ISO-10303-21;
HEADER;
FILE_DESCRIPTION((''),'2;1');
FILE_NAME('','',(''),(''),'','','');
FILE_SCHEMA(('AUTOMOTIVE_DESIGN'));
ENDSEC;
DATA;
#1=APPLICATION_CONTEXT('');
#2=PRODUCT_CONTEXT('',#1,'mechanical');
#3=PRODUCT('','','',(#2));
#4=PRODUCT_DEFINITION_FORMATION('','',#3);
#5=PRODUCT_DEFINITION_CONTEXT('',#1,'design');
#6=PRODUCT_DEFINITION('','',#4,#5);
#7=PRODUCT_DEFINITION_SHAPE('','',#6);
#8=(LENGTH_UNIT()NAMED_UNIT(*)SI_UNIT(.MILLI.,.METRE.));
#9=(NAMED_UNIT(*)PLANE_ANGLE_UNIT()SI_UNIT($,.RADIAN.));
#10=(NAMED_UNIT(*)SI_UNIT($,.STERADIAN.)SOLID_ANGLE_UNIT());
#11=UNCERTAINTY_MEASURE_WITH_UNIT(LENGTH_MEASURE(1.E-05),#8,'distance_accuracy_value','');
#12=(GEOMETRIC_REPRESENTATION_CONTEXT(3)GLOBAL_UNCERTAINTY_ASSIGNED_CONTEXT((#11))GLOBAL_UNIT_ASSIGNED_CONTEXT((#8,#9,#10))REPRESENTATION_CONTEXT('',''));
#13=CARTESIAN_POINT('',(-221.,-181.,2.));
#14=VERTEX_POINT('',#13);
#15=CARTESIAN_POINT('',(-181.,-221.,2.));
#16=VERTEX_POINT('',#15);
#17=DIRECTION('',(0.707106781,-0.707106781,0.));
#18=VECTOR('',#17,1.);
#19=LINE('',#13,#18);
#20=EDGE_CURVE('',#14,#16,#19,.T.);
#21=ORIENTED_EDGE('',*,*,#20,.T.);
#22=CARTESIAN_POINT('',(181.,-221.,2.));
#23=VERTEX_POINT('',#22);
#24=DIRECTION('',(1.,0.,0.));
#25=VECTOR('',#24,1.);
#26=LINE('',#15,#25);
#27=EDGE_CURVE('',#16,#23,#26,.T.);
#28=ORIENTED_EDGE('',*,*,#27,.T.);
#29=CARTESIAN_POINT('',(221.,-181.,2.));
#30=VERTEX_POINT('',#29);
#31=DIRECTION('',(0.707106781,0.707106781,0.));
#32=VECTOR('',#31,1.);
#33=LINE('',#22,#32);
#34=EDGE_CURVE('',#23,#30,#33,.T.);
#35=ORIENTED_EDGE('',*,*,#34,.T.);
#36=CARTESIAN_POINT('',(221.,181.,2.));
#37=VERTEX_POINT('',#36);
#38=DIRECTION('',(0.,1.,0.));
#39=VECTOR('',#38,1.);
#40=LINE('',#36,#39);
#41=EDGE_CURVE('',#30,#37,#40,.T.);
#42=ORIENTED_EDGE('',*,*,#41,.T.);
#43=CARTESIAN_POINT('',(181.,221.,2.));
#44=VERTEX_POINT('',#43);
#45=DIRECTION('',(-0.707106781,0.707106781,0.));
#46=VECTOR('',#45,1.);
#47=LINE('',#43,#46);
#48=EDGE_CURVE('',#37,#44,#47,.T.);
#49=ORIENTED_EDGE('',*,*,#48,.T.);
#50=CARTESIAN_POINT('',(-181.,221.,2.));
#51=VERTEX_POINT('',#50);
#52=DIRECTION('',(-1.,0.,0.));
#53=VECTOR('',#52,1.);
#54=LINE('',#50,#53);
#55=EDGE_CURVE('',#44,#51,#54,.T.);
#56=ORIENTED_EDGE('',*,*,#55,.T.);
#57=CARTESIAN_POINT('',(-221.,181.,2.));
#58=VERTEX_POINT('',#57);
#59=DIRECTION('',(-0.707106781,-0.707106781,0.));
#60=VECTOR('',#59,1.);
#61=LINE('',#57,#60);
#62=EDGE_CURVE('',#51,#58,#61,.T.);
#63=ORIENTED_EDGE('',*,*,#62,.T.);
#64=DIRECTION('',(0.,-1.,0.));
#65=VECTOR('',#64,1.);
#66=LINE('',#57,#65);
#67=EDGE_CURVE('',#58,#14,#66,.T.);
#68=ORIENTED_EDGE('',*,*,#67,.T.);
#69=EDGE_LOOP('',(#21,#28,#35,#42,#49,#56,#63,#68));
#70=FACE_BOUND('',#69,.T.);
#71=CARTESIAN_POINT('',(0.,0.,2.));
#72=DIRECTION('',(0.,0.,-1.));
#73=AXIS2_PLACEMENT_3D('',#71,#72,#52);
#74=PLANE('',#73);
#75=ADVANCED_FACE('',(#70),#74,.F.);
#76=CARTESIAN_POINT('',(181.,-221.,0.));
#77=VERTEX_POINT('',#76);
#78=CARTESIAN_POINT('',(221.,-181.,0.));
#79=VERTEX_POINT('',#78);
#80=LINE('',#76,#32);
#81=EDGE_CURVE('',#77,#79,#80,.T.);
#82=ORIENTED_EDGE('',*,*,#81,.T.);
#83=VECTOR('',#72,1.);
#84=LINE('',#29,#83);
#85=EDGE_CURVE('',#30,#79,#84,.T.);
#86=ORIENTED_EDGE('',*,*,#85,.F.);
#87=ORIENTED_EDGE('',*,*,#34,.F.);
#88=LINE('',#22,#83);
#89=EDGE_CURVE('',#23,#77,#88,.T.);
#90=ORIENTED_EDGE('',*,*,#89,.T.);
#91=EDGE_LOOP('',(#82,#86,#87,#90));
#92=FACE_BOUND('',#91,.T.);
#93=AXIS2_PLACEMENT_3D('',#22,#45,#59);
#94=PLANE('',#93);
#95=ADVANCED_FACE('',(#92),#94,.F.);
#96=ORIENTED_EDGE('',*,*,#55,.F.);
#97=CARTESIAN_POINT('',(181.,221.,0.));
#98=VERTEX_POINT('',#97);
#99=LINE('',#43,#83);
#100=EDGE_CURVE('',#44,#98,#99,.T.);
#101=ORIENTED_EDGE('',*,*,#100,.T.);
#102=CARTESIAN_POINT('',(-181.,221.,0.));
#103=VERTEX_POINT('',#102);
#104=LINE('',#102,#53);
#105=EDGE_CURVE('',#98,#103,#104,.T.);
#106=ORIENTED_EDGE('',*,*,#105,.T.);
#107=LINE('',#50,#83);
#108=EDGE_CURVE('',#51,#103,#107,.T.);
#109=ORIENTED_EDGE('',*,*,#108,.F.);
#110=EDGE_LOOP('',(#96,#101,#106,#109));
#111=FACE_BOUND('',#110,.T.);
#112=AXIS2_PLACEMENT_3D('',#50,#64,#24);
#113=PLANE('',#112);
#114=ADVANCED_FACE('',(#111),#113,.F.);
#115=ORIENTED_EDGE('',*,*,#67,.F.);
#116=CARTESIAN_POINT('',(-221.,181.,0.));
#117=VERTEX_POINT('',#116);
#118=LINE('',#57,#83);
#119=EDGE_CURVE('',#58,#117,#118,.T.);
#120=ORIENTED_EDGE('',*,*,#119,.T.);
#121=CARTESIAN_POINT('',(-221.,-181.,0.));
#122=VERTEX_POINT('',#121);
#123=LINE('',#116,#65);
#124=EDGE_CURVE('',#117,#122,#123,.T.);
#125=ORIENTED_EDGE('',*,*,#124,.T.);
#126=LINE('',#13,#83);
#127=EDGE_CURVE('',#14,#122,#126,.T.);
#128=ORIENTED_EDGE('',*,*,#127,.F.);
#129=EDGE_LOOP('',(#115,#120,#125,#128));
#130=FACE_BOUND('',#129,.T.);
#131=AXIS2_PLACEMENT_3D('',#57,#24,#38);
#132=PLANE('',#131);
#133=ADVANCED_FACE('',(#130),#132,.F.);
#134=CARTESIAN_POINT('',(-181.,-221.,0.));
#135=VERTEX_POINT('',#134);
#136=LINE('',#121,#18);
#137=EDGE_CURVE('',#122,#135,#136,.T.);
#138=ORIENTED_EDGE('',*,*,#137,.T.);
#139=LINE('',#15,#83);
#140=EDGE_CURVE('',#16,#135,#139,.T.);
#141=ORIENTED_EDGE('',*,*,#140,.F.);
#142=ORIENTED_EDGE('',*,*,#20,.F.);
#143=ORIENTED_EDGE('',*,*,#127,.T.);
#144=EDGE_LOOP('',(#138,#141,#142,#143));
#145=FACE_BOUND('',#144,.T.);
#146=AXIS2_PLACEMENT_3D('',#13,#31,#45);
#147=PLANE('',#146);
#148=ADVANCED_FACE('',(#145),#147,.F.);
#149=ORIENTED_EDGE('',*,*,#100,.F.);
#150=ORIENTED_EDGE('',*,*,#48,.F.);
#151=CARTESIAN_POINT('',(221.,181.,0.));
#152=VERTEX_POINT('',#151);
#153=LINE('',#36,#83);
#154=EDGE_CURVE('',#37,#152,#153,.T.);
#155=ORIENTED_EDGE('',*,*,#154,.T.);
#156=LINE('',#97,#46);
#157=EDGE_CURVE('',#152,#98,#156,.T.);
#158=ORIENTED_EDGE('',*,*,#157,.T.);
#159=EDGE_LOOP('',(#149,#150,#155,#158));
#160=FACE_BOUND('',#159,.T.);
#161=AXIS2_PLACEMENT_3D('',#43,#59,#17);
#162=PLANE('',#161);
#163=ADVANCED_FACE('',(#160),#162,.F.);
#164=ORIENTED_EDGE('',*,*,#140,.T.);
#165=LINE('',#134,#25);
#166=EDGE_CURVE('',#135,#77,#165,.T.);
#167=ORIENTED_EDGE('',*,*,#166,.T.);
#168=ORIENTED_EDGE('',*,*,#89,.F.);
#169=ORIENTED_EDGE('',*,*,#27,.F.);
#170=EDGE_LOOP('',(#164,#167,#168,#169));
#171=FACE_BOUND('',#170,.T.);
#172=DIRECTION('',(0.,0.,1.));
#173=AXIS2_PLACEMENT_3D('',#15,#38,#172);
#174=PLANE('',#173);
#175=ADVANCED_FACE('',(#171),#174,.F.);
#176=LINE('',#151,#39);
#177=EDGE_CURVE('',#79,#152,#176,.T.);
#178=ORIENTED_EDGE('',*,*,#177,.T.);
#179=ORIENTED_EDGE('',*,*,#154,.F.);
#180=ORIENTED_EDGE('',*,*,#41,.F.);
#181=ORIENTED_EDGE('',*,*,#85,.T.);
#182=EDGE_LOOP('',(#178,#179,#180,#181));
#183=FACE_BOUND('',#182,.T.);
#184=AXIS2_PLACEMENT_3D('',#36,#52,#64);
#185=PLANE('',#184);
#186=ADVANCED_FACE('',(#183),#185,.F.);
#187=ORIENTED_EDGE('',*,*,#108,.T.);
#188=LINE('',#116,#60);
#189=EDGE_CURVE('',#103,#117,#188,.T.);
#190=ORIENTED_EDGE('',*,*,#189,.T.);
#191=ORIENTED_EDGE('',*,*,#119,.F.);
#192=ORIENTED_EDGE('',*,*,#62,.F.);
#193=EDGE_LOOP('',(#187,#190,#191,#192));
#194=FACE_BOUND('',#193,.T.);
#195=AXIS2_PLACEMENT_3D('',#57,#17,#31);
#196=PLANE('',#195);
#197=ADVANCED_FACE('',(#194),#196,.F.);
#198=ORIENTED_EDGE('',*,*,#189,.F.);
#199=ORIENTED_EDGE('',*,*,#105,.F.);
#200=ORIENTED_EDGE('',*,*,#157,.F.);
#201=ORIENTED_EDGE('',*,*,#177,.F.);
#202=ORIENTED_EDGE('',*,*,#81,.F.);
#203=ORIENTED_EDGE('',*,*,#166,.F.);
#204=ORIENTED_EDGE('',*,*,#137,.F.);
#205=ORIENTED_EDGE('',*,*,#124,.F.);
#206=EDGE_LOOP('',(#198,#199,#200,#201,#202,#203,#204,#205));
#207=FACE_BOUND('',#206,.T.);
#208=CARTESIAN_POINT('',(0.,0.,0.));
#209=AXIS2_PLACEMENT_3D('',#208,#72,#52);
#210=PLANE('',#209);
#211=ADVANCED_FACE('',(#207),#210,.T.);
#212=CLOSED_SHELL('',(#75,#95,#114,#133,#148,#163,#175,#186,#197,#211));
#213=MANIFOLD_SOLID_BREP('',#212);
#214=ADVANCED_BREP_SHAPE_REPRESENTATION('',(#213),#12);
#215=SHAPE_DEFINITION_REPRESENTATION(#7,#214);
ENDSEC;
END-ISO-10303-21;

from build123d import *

# Parameters (mm, degrees)
EXTRUDE_1_DEPTH = 2


with BuildPart() as part:
    # 스케치1 → 보스-돌출1 (new body)
    with BuildSketch(Plane.XY):
        Polygon((-221, 181), (-181, 221), (181, 221), (221, 181), (221, -181), (181, -221), (-181, -221), (-221, -181), align=None)
    extrude(amount=EXTRUDE_1_DEPTH)


solid = part.part
